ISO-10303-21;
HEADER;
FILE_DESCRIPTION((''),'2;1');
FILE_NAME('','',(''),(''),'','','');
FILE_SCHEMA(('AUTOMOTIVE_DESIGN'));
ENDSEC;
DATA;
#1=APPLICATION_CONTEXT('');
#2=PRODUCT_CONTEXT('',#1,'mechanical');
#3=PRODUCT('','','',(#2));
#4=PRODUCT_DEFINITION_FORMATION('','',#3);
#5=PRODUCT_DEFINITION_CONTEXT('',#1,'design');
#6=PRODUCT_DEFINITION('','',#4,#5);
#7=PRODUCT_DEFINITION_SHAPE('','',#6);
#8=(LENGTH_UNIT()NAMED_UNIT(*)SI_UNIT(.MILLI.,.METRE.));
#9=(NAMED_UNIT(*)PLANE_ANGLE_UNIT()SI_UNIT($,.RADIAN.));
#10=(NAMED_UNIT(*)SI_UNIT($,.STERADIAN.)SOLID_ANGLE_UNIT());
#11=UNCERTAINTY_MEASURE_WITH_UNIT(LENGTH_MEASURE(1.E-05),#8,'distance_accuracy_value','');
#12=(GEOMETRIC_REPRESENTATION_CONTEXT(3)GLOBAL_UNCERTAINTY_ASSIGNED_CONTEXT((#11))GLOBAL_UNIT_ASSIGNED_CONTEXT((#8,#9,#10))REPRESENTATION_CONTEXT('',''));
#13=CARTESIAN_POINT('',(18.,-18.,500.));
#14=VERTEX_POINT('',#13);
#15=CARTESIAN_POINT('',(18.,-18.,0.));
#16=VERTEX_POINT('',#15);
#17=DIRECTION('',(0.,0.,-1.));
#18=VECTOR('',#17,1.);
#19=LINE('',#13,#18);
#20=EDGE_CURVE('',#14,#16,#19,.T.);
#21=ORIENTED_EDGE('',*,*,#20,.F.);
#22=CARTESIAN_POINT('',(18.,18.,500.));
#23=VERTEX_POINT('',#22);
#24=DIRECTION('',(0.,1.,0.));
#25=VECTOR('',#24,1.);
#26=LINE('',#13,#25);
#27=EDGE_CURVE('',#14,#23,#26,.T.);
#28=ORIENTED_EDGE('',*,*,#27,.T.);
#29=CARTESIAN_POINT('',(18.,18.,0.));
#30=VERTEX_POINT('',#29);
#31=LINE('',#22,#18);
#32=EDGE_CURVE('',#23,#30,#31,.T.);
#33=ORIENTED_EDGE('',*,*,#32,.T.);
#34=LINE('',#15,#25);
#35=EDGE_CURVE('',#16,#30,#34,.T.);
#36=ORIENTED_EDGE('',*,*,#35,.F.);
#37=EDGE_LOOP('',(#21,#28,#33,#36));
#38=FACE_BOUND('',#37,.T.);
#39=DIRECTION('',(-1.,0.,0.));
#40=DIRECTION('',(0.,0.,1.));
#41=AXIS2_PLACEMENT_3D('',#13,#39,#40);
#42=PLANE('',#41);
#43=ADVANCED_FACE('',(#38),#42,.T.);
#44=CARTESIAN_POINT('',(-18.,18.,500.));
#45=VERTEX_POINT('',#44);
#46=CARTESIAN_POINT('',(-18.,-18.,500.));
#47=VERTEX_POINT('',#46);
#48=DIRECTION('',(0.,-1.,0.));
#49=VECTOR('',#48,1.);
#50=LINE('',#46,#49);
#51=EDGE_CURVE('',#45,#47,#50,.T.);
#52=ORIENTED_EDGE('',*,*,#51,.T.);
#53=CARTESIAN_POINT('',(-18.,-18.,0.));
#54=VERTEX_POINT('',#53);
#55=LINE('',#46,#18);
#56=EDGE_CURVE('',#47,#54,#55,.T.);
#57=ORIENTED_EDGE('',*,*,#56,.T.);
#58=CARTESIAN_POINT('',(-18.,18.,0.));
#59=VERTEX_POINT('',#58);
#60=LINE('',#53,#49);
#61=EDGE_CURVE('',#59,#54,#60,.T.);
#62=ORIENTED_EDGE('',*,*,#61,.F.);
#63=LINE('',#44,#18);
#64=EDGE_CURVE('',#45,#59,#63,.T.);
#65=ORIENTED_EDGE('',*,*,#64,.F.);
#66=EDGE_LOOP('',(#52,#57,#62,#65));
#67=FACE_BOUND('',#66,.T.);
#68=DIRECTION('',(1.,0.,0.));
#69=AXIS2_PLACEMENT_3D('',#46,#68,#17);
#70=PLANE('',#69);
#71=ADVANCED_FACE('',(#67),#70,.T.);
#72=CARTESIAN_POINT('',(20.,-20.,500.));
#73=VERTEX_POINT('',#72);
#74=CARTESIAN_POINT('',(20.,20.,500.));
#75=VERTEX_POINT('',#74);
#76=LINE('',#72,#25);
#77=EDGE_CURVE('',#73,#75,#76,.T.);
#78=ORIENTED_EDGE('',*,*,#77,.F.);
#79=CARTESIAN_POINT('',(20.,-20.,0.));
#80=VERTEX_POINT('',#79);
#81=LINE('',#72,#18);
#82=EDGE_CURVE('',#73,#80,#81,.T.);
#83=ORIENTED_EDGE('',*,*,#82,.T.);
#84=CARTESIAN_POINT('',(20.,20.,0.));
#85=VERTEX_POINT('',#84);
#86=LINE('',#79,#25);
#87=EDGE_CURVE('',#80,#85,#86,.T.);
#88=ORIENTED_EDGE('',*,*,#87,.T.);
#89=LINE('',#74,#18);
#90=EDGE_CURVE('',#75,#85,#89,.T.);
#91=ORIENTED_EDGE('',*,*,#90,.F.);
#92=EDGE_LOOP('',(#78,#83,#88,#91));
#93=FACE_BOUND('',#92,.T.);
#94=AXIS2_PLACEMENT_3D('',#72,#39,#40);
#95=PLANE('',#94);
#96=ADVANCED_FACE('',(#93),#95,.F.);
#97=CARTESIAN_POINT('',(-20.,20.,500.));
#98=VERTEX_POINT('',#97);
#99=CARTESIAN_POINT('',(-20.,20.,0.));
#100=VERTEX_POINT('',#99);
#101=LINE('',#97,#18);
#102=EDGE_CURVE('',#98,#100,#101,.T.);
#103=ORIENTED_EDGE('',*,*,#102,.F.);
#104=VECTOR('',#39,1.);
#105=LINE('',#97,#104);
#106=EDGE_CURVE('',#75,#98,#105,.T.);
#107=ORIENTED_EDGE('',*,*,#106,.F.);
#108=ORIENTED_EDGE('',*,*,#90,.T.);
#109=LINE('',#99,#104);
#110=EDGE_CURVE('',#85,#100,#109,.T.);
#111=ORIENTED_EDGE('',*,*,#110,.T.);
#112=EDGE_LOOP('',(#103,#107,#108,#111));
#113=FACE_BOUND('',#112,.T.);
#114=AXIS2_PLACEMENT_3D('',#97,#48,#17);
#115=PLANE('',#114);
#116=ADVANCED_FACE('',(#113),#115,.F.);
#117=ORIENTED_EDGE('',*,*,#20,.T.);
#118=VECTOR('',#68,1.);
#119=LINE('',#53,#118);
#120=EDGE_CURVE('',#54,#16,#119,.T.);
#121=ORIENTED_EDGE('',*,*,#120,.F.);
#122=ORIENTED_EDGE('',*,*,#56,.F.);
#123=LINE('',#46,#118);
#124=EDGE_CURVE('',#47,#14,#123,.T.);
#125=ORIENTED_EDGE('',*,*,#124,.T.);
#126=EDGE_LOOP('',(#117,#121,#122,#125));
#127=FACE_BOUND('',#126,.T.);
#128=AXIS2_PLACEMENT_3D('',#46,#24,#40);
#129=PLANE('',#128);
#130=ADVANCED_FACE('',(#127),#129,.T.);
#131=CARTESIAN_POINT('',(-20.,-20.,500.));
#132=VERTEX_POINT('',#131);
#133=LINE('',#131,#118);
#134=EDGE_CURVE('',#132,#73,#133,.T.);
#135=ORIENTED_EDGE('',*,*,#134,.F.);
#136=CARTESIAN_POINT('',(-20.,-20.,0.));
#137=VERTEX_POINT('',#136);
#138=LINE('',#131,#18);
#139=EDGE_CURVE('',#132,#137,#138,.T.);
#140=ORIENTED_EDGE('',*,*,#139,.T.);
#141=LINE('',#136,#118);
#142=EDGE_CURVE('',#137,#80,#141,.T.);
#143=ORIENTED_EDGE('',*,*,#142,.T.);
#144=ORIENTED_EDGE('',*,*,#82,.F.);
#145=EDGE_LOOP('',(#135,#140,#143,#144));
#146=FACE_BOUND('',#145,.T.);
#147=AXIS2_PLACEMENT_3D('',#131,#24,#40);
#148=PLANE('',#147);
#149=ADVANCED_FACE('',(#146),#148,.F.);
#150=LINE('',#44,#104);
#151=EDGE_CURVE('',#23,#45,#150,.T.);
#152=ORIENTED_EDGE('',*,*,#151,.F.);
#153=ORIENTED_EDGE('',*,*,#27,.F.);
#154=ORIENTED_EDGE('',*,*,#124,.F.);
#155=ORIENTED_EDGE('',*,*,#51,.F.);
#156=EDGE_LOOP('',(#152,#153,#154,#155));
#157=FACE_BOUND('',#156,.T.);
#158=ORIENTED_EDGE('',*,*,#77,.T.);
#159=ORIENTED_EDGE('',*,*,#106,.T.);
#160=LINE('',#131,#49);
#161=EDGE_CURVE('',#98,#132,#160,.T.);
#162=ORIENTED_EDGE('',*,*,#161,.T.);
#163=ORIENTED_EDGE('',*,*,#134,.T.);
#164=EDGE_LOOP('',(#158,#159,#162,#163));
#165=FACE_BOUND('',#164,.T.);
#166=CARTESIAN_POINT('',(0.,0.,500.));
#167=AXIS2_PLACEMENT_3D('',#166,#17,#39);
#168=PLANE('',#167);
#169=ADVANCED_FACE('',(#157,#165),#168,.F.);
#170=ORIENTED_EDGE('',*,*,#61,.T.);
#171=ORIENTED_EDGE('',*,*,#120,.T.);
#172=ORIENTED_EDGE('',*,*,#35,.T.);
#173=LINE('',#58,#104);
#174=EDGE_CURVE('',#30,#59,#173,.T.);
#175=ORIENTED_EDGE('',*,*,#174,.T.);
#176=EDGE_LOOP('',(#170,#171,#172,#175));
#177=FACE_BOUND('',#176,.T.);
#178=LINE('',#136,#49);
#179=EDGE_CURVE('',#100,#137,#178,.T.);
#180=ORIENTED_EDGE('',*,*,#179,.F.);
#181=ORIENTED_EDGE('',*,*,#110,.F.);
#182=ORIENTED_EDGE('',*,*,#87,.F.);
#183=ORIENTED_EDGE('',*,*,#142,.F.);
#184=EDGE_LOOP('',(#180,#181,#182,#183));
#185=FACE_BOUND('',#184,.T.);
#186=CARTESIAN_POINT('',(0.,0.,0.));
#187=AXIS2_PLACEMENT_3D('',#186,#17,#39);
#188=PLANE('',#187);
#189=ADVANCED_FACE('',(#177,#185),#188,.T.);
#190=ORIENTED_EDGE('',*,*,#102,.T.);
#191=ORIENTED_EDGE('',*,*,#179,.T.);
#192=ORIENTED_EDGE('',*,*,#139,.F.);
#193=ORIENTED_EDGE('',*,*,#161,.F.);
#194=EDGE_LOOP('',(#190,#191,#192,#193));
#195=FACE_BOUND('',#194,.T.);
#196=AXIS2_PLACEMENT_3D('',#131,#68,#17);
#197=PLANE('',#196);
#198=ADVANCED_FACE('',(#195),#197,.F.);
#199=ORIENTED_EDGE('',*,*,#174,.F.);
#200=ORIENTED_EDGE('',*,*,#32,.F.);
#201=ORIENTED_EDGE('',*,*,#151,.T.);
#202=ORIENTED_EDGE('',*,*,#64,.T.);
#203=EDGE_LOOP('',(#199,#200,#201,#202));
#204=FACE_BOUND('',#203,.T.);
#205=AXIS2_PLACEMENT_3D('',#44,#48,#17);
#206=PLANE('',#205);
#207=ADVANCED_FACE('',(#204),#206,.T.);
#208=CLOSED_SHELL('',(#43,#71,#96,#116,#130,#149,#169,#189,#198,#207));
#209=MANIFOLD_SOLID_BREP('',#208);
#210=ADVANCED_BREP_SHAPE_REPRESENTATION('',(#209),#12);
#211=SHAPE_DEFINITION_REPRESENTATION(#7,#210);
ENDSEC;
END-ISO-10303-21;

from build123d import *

# Parameters (mm, degrees)
SKETCH_1_W      = 40
SKETCH_1_H      = 40
SKETCH_1_W_2    = 36
SKETCH_1_H_2    = 36
EXTRUDE_1_DEPTH = 500


with BuildPart() as part:
    # Эскиз1 → Бобышка-Вытянуть1 (new body)
    with BuildSketch(Plane.XY):
        Rectangle(SKETCH_1_W, SKETCH_1_H)
        Rectangle(SKETCH_1_W_2, SKETCH_1_H_2, mode=Mode.SUBTRACT)
    extrude(amount=EXTRUDE_1_DEPTH)


solid = part.part
